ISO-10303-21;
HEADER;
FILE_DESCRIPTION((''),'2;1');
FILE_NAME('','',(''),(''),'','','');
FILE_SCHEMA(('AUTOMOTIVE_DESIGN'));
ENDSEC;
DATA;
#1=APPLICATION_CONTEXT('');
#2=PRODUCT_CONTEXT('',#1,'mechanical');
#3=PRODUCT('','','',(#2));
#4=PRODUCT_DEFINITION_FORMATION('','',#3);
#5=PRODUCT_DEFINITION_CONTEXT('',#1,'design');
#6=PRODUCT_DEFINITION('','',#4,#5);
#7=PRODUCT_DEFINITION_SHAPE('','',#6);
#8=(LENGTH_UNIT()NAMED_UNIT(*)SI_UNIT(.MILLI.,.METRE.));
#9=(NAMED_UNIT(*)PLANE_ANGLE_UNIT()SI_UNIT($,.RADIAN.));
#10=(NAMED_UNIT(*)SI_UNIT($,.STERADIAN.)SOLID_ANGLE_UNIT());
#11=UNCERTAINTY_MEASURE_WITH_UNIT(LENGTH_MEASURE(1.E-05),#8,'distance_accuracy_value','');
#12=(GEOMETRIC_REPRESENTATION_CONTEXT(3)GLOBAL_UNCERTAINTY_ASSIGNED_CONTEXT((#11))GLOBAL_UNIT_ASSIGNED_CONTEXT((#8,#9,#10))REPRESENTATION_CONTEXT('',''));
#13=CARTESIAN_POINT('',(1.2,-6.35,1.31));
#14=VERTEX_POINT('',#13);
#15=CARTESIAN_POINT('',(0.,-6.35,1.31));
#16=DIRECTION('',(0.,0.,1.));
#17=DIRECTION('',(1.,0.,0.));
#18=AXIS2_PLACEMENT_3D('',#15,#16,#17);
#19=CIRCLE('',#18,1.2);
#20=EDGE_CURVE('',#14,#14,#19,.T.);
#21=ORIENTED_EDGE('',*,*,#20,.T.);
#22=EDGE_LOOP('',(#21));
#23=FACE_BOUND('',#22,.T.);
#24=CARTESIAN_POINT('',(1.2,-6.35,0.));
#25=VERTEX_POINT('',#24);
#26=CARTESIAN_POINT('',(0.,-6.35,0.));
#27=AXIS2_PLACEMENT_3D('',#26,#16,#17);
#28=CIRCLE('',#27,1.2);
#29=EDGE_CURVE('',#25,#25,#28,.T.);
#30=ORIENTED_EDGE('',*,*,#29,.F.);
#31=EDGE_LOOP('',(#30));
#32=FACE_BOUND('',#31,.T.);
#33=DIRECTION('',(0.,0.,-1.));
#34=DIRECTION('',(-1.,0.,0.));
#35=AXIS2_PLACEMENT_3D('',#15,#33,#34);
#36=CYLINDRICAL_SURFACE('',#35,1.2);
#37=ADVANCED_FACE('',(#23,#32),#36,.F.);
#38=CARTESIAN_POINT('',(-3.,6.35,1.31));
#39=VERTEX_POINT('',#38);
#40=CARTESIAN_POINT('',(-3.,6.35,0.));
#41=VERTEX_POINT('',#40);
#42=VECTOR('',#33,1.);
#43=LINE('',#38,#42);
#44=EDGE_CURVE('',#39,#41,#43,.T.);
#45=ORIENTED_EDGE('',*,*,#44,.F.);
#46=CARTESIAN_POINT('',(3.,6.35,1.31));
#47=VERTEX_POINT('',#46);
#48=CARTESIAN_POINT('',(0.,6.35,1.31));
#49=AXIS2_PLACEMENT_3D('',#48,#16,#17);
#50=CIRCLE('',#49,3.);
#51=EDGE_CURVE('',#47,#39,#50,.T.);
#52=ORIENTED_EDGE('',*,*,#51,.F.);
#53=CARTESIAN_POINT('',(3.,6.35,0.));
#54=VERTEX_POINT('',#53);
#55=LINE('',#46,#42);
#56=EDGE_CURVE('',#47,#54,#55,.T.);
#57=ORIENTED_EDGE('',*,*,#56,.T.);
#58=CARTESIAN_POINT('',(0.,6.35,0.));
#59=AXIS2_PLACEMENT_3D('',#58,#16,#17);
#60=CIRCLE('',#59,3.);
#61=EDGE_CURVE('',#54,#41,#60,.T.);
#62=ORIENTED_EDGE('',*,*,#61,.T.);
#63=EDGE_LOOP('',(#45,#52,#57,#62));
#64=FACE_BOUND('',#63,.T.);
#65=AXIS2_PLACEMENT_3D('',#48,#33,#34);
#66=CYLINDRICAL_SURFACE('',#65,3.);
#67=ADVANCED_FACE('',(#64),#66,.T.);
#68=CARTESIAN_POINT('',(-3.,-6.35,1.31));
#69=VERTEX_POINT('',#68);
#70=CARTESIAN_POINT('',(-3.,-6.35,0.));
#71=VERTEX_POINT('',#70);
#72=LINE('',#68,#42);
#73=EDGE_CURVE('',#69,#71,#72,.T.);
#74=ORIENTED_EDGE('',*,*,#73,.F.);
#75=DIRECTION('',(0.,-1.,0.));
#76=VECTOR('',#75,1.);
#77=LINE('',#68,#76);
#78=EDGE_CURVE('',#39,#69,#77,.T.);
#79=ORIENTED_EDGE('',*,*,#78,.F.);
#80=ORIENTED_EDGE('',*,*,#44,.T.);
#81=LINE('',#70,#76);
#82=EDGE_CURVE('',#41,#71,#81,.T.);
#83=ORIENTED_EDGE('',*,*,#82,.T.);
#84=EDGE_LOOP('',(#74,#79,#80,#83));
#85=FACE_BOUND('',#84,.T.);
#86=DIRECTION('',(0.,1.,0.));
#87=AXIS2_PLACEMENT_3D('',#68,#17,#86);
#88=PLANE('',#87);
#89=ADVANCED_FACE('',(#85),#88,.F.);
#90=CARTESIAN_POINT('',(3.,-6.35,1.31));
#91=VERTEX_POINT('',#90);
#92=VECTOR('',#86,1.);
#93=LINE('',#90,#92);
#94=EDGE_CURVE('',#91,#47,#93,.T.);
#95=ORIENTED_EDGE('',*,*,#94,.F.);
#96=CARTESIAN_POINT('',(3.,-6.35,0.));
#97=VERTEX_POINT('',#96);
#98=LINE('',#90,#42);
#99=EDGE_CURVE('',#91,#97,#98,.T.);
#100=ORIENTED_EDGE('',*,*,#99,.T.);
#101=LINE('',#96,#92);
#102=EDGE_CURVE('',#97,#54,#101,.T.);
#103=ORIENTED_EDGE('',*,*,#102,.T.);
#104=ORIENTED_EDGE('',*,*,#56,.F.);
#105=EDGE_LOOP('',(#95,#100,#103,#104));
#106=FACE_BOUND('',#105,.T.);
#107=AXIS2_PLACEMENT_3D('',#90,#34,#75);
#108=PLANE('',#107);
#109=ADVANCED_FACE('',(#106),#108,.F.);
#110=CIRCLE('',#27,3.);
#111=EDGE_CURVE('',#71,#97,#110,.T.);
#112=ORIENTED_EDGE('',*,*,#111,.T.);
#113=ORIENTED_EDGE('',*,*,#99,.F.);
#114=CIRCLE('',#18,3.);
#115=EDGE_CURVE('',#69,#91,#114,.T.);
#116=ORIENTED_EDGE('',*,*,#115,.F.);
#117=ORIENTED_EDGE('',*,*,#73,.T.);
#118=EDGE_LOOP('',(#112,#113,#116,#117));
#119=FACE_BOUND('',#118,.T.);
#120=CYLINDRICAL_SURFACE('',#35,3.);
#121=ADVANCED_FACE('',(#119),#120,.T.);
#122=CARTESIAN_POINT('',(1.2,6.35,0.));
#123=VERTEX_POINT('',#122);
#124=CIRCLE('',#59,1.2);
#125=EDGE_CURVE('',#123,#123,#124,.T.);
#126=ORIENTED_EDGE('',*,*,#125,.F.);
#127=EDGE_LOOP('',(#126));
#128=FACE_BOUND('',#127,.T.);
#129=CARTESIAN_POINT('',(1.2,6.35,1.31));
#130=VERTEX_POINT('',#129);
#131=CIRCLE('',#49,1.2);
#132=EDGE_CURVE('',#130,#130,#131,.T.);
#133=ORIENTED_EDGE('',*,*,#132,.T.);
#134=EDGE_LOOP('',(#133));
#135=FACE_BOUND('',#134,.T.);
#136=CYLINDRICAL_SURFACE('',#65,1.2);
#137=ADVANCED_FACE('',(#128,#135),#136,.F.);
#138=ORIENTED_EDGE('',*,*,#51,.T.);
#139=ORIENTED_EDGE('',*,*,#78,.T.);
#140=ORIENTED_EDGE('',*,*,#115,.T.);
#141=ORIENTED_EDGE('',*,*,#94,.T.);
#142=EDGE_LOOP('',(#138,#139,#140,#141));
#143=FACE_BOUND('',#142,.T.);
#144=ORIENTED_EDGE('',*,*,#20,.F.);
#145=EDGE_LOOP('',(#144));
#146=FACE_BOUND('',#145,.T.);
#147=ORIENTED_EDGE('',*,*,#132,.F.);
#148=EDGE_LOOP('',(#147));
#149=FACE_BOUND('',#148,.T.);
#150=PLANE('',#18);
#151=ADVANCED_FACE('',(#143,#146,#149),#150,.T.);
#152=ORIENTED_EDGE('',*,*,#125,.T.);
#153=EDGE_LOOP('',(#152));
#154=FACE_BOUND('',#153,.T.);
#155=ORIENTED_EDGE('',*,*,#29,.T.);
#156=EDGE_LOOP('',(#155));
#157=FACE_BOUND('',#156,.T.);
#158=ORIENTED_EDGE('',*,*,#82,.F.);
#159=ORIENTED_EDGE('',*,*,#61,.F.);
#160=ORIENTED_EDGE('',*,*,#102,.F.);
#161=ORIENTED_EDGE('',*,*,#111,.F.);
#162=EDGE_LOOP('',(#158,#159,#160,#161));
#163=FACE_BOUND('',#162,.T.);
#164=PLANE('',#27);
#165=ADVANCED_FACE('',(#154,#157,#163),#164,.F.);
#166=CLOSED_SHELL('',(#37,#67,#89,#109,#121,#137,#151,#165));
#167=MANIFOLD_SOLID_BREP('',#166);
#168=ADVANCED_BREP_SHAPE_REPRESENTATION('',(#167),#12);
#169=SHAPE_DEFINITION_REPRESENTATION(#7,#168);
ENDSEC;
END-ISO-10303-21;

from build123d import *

# Parameters (mm, degrees)
SKETCH_1_R      = 1.2
EXTRUDE_1_DEPTH = 1.31


with BuildPart() as part:
    # 草图1 → 凸台-拉伸1 (new body)
    with BuildSketch(Plane.XY):
        with BuildLine():
            Line((-3, -6.35), (-3, 6.35))
            ThreePointArc((-3, 6.35), (0, 9.35), (3, 6.35))
            Line((3, 6.35), (3, -6.35))
            ThreePointArc((3, -6.35), (0, -9.35), (-3, -6.35))
        make_face()
        with Locations((0, 6.35)):
            Circle(SKETCH_1_R, mode=Mode.SUBTRACT)
        with Locations((0, -6.35)):
            Circle(SKETCH_1_R, mode=Mode.SUBTRACT)
    extrude(amount=EXTRUDE_1_DEPTH)


solid = part.part
